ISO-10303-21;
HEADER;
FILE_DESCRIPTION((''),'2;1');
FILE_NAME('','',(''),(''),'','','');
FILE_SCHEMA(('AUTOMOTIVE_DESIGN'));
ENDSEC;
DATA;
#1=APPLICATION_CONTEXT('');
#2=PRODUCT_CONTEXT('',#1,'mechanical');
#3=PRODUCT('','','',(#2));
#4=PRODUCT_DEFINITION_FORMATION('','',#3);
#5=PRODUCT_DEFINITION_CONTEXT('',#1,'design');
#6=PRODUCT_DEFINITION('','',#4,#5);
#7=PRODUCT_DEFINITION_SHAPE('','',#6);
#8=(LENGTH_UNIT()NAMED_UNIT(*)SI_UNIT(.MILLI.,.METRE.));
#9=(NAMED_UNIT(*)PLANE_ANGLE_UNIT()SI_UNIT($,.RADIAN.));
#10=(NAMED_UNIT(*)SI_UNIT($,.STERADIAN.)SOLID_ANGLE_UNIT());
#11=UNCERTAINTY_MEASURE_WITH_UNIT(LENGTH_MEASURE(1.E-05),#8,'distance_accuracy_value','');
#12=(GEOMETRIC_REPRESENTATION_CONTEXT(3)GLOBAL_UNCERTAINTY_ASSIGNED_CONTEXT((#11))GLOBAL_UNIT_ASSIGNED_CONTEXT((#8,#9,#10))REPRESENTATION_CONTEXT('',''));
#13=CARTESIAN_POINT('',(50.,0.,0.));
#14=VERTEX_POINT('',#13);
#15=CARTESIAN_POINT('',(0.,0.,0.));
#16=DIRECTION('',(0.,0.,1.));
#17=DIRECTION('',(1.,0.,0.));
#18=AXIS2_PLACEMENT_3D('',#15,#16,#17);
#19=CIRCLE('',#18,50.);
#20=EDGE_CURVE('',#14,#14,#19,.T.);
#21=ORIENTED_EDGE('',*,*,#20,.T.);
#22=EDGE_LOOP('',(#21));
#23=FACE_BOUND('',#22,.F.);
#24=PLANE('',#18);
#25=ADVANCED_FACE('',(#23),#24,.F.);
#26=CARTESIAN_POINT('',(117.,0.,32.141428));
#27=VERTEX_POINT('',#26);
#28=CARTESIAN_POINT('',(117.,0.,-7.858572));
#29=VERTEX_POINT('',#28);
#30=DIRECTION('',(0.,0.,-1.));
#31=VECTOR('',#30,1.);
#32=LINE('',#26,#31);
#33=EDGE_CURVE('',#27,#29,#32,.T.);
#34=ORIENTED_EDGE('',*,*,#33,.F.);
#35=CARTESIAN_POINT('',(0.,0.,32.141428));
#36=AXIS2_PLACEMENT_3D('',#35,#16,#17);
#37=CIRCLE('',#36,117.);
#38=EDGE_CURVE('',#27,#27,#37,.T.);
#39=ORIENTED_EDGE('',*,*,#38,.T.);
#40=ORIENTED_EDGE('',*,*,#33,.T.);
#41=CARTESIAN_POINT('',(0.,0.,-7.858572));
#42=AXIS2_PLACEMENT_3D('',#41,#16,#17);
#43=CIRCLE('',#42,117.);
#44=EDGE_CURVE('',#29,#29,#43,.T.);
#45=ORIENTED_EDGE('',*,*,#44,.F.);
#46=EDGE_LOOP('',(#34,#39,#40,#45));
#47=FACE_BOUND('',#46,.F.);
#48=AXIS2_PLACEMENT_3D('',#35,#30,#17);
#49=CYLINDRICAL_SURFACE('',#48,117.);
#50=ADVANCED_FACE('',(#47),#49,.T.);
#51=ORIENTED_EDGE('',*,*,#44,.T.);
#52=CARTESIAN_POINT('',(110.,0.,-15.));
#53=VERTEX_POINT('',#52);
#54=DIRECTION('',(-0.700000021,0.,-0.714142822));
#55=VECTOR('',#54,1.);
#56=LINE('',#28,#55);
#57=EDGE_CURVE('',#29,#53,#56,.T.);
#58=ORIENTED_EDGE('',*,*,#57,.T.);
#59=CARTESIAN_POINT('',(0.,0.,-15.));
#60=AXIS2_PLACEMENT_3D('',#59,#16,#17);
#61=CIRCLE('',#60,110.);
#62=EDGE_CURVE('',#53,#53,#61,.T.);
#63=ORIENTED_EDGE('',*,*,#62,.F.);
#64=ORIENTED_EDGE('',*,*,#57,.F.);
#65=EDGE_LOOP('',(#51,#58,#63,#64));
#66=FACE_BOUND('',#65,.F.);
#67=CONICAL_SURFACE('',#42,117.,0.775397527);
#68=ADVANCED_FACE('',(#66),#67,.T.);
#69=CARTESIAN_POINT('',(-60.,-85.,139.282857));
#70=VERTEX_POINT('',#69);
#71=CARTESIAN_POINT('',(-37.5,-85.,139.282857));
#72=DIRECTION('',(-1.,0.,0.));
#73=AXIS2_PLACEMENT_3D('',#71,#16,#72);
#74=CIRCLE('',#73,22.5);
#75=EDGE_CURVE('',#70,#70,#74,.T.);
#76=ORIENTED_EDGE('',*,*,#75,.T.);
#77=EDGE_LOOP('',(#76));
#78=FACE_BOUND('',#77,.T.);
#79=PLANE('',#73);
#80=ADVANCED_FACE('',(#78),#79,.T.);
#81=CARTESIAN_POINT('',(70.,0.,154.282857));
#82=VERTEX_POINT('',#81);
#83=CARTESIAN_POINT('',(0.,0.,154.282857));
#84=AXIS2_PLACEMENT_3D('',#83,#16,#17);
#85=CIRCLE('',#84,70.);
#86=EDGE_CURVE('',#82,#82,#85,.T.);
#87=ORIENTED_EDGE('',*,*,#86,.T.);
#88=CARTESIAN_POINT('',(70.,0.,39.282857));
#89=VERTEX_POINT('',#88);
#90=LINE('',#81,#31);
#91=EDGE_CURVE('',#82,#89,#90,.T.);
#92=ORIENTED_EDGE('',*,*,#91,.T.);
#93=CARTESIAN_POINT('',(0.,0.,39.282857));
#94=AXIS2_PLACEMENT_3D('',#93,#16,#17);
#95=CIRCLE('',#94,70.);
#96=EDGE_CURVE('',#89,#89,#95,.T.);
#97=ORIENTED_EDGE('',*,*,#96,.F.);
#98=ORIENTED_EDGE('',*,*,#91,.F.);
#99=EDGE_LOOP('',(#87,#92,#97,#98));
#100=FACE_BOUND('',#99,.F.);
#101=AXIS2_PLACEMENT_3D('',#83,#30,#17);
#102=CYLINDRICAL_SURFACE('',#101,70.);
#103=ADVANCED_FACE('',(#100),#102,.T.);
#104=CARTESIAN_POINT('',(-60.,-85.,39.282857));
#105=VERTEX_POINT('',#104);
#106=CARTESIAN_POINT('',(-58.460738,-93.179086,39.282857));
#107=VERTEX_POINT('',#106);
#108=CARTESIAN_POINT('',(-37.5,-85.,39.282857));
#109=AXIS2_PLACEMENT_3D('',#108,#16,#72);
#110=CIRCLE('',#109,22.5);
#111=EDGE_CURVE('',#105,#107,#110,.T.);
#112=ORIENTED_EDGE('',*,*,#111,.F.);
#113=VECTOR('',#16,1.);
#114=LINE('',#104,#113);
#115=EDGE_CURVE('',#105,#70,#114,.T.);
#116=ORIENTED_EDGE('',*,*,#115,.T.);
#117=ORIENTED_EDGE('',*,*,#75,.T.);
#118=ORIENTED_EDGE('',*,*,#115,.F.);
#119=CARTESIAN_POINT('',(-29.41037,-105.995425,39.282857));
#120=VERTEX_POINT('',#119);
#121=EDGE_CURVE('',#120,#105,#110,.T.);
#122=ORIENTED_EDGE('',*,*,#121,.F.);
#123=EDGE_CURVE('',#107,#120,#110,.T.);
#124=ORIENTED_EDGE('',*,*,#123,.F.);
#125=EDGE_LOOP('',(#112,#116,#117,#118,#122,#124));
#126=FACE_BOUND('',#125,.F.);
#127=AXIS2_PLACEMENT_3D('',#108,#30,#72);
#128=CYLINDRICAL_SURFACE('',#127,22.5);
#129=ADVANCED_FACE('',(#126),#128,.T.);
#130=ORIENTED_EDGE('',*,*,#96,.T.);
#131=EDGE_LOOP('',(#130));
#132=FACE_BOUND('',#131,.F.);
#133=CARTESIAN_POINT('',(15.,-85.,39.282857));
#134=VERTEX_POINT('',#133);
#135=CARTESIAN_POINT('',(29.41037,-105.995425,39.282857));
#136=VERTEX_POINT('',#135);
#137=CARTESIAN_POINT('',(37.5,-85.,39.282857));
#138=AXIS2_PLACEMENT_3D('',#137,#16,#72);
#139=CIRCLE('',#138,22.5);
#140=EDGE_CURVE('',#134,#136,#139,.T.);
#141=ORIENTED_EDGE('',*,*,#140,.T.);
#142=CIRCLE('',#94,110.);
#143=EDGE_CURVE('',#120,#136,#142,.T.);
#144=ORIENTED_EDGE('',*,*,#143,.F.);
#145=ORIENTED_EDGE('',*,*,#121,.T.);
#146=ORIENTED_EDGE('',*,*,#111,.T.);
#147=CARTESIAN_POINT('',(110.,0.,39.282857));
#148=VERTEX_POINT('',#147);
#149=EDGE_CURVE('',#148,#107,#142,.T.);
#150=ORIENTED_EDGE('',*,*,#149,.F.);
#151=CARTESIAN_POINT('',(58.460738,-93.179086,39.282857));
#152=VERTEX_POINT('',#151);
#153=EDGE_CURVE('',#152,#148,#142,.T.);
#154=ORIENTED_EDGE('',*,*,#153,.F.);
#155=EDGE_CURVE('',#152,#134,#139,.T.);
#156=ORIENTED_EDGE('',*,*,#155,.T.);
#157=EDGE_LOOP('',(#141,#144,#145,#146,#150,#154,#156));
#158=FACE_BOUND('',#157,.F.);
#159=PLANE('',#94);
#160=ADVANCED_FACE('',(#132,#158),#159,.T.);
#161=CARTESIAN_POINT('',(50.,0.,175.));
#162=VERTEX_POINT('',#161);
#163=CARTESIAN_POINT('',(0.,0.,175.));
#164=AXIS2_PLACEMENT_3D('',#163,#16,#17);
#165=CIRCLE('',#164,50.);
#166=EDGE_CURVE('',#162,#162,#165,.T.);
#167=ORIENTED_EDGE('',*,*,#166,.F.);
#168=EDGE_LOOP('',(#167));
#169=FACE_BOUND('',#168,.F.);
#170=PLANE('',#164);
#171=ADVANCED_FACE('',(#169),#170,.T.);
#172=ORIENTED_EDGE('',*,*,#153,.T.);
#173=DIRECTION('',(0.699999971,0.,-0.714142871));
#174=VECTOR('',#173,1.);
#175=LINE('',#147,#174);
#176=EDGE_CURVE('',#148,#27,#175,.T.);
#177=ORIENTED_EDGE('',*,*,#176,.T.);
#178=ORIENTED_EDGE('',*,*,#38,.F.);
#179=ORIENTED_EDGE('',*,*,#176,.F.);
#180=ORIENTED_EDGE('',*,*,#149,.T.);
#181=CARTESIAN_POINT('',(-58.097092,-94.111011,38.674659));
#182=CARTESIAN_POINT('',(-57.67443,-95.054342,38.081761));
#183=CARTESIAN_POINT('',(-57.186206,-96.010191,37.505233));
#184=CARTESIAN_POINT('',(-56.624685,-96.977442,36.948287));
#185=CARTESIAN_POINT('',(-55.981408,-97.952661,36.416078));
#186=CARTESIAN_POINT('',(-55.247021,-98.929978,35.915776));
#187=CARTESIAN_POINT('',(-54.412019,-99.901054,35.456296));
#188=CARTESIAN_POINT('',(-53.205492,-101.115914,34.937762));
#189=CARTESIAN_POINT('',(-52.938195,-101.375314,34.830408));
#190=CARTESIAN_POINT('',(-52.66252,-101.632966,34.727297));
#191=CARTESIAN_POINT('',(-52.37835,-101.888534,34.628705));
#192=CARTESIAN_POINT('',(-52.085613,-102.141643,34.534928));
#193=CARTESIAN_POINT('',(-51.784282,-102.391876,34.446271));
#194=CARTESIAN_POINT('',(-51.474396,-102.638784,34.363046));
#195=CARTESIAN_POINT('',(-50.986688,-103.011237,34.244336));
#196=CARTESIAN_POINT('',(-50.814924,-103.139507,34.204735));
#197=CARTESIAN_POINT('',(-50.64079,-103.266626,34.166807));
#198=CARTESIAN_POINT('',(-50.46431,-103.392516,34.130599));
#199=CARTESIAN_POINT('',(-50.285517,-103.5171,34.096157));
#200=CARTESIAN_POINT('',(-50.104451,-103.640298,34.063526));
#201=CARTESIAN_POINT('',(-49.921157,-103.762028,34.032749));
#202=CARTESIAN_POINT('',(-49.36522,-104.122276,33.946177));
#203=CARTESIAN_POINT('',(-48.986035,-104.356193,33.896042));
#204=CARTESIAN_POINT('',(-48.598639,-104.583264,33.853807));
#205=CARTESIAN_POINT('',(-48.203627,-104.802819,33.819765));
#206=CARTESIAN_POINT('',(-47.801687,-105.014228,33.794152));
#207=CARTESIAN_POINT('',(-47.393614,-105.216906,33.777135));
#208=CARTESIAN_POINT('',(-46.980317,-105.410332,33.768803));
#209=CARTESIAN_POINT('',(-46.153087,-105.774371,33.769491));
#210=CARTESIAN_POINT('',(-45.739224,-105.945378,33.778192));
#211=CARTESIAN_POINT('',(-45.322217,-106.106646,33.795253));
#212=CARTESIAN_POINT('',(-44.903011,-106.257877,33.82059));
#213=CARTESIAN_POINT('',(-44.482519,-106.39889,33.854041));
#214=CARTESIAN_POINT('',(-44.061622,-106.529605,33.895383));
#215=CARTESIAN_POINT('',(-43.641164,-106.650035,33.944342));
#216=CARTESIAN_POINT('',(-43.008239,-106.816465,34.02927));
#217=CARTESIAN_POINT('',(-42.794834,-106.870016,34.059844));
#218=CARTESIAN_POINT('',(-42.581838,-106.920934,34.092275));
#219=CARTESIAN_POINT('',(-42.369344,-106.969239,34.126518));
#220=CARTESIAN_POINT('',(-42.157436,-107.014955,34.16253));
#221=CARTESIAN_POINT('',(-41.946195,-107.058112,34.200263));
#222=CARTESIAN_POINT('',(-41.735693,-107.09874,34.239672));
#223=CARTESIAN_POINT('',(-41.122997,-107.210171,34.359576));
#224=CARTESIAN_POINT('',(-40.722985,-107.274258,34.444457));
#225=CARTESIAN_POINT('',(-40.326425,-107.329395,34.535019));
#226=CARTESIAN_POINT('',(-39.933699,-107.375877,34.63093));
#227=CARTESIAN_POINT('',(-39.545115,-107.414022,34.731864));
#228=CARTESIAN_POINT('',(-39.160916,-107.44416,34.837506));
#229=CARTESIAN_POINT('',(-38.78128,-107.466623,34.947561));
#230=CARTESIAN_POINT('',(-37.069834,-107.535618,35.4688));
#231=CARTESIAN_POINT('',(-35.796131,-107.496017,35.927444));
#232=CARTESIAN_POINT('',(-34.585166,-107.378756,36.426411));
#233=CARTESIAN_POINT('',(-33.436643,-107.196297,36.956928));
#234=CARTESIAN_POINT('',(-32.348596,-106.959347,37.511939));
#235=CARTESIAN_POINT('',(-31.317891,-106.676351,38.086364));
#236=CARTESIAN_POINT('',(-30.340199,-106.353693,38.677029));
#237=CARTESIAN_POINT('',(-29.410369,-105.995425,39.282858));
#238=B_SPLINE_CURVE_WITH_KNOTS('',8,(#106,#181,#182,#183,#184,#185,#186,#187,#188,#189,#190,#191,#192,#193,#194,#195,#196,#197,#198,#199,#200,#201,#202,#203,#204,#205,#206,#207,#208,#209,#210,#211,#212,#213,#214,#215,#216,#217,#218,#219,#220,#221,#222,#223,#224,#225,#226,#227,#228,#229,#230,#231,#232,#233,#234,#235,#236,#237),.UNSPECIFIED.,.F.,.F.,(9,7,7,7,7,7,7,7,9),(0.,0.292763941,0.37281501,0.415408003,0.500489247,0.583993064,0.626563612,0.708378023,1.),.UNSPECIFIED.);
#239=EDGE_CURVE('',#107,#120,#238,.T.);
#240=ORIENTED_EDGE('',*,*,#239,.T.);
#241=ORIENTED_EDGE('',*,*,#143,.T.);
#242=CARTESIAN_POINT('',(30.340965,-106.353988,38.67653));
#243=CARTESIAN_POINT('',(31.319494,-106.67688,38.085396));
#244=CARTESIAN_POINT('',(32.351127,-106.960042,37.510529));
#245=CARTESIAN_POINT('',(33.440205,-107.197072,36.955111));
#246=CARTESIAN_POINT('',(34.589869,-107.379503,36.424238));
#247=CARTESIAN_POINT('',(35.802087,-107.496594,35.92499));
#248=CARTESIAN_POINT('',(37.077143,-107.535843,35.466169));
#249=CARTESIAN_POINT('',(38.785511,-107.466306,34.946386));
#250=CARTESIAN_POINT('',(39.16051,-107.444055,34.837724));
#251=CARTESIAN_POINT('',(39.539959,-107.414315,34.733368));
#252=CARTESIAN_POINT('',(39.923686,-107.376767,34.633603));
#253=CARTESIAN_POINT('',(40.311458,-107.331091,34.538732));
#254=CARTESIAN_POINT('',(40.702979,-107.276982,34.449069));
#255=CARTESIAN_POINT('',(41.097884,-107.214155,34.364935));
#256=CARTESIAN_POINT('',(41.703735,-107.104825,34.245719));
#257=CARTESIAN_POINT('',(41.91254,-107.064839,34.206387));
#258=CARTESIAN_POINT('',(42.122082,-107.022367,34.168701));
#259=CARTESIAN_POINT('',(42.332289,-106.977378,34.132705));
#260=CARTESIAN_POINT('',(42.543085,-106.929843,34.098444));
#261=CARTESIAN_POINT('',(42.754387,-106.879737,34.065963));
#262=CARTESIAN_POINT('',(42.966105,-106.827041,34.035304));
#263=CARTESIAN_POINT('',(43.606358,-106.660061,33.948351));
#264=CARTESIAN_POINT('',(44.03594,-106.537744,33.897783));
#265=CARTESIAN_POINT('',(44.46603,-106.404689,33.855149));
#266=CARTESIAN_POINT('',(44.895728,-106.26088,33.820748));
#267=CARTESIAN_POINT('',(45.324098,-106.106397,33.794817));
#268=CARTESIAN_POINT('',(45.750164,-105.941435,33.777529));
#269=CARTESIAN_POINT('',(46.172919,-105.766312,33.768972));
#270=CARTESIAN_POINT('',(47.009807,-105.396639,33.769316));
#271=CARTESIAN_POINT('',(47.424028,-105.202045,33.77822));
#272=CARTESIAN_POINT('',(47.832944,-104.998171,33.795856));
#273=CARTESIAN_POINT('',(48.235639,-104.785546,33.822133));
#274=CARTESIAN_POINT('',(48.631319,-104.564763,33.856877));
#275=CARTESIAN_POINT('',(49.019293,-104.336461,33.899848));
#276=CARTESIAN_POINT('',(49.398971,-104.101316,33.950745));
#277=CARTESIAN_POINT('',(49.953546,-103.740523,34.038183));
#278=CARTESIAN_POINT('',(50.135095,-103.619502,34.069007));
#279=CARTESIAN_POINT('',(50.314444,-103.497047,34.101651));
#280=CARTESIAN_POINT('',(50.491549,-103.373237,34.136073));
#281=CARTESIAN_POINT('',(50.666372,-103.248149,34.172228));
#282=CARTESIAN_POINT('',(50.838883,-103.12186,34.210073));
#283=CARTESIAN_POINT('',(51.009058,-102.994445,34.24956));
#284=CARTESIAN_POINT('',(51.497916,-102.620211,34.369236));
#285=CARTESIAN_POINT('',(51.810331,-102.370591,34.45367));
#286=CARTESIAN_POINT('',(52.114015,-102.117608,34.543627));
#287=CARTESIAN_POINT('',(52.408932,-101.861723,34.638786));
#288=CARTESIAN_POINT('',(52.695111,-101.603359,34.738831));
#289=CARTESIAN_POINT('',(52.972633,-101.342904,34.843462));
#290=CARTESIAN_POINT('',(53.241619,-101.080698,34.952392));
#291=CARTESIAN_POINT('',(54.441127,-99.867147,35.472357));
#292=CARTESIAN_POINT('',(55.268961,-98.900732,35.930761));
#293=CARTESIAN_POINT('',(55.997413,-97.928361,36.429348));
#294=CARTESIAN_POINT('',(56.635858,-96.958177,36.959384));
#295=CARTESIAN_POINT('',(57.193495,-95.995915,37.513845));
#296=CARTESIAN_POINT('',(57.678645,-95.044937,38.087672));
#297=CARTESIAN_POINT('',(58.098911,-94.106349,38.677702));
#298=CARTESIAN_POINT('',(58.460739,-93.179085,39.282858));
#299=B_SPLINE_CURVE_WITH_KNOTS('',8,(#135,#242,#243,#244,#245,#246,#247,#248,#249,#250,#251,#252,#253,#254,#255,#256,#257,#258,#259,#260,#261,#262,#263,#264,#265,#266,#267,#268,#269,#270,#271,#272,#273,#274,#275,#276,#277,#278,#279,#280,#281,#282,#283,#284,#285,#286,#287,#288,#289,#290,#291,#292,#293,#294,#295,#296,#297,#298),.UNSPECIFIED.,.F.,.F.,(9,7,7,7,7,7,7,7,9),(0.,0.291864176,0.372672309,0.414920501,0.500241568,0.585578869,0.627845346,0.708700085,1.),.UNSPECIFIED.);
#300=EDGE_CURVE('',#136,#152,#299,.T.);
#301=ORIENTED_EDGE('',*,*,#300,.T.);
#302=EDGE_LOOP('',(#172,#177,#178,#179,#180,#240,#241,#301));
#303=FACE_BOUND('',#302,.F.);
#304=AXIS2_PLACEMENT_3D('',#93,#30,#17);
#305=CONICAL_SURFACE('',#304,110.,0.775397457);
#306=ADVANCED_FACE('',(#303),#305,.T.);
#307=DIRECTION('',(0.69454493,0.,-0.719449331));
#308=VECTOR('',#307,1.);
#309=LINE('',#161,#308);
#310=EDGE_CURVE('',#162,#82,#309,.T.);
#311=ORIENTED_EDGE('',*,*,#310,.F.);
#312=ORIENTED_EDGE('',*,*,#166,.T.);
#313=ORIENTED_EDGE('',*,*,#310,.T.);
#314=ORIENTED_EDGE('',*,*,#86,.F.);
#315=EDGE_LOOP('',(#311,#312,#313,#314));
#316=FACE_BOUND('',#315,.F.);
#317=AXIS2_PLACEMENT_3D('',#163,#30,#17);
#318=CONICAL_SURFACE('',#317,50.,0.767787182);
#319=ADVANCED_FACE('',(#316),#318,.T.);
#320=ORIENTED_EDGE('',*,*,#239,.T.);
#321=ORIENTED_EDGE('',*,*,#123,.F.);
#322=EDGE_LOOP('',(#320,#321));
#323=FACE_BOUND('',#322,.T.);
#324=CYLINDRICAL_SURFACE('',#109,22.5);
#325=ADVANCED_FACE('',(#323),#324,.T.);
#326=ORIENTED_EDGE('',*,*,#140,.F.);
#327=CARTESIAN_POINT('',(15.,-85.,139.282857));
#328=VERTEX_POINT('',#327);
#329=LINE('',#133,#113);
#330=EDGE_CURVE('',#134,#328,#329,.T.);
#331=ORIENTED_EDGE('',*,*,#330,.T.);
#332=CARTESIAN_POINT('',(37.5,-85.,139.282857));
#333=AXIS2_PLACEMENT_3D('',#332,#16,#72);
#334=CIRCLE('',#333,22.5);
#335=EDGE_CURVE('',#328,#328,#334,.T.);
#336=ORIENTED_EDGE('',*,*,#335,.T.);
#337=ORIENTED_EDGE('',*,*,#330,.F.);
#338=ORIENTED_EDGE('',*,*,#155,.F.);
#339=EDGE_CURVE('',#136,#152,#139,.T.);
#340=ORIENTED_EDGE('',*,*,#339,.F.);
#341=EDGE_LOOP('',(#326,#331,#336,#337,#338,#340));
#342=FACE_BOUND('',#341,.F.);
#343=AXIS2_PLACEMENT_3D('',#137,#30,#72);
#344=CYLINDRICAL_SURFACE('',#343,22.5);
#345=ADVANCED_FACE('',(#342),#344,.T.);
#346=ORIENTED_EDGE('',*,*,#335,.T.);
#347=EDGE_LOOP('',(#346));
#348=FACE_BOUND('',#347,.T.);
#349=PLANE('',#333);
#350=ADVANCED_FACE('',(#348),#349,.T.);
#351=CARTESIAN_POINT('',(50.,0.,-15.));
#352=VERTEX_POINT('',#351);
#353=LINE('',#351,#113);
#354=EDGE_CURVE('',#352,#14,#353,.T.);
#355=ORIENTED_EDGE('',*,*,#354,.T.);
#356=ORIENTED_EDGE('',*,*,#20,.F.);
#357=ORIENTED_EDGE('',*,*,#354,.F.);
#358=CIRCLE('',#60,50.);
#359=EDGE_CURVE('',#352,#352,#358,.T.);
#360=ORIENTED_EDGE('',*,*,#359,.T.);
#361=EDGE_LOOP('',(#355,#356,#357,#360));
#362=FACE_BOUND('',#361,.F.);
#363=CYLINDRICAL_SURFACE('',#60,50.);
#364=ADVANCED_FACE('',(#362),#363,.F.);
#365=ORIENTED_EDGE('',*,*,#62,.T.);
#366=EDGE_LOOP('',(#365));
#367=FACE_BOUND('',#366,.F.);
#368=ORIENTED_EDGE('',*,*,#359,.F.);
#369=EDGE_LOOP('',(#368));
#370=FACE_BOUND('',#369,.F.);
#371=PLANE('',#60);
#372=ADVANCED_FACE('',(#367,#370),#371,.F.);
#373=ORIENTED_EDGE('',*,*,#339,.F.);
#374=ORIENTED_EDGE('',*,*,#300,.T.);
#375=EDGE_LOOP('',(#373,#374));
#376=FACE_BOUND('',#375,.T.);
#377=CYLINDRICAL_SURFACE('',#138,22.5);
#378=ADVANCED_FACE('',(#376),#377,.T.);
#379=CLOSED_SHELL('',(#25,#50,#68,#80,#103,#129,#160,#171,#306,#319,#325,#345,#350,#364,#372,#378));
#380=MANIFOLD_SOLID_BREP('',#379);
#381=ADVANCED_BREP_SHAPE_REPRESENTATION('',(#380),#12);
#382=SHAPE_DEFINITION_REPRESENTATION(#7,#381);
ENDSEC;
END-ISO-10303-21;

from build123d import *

# Parameters (mm, degrees)
SKETCH001_R    = 22.5
PAD_DEPTH      = 100
PAD_DEPTH_BACK = 40


with BuildPart() as part:
    # Sketch → Revolution (revolve)
    with BuildSketch(Plane.XZ):
        Polygon((70, 39.282857), (110, 39.282857), (117, 32.141428), (117, -7.858572), (110, -15), (50, -15), (50, 0), (0, 0), (0, 175), (50, 175), (70, 154.282857), align=None)
    revolve(axis=Axis((0, 0, 0), (0, 0, 1)))

    # Sketch001 (on Face1 of Revolution) → Pad (new body, two sides)
    with BuildSketch(Plane(origin=(0, 0, 39.282857), x_dir=(-1, 0, 0), z_dir=(0, 0, 1))) as pad_sk:
        with Locations((-37.5, 85)):
            Circle(SKETCH001_R)
        with Locations((37.5, 85)):
            Circle(SKETCH001_R)
    extrude(amount=PAD_DEPTH)
    extrude(pad_sk.sketch, amount=-PAD_DEPTH_BACK)


solid = part.part
